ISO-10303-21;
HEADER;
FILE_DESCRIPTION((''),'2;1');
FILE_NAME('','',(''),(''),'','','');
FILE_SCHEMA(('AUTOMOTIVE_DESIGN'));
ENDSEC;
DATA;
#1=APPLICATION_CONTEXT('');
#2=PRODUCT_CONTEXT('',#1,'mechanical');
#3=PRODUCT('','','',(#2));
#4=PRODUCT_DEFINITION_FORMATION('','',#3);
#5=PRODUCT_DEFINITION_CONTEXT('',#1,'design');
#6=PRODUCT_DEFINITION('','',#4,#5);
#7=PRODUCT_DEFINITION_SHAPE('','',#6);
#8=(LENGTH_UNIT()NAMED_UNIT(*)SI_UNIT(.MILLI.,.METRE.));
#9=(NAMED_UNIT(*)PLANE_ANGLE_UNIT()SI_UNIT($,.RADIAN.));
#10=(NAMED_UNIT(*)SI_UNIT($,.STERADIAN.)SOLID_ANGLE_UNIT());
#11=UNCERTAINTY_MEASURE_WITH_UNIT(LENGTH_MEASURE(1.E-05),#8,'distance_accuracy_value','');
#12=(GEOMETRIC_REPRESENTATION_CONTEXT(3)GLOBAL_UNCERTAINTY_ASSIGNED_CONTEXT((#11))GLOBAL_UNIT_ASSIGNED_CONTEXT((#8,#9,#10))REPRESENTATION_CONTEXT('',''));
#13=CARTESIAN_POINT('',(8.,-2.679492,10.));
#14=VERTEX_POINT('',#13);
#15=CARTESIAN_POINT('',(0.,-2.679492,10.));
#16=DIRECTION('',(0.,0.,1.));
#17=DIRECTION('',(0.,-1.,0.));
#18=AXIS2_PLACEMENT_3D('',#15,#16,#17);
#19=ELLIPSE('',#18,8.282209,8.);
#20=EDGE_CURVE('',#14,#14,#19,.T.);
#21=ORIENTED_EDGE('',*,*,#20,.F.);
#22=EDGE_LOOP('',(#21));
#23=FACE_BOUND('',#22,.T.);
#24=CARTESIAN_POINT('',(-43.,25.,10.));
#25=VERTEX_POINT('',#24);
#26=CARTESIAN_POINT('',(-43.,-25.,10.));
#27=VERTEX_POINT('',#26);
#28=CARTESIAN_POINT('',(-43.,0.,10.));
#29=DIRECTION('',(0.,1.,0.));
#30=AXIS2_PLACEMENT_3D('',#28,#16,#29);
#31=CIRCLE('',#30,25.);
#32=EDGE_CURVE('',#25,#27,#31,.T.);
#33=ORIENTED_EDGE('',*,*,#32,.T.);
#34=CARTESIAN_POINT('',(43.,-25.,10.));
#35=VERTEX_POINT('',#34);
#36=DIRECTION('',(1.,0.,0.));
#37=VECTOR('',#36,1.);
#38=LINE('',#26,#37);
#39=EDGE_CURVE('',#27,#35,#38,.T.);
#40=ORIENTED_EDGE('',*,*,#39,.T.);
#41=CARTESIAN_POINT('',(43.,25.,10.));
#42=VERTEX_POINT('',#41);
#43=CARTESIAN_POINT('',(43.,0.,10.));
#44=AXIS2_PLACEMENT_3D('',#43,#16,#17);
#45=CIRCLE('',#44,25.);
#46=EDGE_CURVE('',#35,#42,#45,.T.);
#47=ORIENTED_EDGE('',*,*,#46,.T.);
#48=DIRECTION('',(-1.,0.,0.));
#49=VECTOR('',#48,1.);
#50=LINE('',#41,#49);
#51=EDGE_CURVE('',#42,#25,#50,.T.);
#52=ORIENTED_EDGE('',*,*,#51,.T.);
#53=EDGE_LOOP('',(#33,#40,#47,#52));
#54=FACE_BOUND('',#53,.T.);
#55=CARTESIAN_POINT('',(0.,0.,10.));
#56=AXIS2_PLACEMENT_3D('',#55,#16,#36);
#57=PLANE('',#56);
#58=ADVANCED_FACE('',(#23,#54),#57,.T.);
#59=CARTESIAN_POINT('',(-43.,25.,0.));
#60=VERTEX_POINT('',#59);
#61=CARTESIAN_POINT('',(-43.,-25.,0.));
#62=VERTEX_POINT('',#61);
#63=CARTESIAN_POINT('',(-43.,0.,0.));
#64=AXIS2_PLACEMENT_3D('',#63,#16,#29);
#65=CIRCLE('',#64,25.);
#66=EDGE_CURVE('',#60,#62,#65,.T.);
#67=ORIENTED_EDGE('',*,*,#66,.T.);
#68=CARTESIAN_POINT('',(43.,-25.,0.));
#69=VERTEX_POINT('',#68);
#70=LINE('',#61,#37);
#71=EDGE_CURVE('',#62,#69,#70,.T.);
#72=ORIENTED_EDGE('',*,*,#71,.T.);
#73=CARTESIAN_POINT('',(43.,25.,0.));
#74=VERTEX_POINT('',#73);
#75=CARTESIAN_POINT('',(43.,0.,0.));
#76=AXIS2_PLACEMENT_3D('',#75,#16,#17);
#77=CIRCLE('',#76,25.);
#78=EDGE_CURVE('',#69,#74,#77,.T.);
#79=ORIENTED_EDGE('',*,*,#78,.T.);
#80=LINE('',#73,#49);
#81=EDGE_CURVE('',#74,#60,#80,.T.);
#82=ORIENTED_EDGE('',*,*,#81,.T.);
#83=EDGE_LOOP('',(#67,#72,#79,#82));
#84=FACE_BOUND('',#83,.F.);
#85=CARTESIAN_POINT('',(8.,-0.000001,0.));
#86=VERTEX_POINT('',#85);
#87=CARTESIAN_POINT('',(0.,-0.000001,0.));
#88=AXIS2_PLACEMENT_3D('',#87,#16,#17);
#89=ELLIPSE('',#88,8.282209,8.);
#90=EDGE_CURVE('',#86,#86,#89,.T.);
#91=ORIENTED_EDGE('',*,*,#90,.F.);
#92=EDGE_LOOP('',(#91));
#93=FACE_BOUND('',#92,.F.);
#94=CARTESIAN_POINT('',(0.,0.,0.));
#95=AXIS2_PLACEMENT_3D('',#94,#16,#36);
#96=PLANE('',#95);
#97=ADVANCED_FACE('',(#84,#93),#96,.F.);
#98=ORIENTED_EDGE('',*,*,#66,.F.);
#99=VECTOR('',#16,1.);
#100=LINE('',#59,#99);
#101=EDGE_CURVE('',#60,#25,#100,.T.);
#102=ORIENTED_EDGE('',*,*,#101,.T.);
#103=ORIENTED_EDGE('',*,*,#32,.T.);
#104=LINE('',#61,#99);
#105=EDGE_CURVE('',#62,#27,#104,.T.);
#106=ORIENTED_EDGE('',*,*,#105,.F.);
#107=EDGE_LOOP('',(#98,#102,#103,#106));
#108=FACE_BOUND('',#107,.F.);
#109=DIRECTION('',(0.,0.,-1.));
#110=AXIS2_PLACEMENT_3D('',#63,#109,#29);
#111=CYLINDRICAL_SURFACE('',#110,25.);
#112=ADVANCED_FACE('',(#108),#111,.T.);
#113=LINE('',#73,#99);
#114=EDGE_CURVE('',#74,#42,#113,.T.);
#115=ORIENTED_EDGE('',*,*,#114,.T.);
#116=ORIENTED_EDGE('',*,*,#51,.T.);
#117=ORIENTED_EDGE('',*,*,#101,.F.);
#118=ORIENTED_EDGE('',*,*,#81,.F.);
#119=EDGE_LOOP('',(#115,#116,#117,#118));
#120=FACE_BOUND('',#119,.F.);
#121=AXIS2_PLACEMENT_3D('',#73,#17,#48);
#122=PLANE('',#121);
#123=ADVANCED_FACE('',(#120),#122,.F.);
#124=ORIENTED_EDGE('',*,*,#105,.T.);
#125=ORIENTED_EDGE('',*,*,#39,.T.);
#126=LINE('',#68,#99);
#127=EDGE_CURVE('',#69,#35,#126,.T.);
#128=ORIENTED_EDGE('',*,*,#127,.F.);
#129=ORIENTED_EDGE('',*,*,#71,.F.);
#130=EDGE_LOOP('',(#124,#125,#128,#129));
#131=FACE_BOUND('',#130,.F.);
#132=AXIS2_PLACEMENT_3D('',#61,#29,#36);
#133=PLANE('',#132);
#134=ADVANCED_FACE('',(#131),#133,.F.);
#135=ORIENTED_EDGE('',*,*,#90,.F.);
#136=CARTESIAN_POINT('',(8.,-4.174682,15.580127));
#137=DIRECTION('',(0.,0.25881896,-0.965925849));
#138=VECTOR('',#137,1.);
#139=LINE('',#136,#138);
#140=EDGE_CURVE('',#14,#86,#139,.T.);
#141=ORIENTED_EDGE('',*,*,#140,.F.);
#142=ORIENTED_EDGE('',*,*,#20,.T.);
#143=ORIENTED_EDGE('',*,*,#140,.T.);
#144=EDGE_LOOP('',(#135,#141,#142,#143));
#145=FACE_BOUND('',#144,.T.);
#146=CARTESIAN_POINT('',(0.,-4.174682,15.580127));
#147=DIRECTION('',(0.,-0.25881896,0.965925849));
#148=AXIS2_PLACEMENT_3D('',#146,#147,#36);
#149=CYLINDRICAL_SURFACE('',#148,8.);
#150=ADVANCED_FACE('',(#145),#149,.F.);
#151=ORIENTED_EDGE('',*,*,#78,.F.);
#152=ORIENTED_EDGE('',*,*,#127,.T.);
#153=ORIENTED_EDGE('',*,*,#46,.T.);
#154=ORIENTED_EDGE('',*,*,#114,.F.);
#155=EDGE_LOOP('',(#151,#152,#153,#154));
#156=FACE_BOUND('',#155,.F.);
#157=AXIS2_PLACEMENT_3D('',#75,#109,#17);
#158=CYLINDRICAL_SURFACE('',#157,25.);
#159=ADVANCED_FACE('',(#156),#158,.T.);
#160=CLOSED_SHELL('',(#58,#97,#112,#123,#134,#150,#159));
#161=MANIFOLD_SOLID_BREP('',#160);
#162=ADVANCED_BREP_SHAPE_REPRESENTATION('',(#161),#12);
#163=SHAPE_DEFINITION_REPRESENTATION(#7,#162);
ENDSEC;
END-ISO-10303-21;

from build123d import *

# Parameters (mm, degrees)
F1_DEPTH = 10
F3_R     = 8
F4_DEPTH = 25


with BuildPart() as f1:
    # F0 (on Top) → F1 (new body)
    with BuildSketch(Plane.XY):
        with BuildLine():
            Line((43, 25), (-43, 25))
            ThreePointArc((-43, 25), (-68, 0), (-43, -25))
            Line((-43, -25), (43, -25))
            ThreePointArc((43, -25), (68, 0), (43, 25))
        make_face()
    extrude(amount=F1_DEPTH)

    # F3 (on face) → F4 (cut)
    with BuildSketch(Plane(origin=(0, -4.174682, 15.580127), x_dir=(1, 0, 0), z_dir=(0, 0.258819, -0.965926))):
        Circle(F3_R)
    extrude(amount=F4_DEPTH, mode=Mode.SUBTRACT)


solid = f1.part
